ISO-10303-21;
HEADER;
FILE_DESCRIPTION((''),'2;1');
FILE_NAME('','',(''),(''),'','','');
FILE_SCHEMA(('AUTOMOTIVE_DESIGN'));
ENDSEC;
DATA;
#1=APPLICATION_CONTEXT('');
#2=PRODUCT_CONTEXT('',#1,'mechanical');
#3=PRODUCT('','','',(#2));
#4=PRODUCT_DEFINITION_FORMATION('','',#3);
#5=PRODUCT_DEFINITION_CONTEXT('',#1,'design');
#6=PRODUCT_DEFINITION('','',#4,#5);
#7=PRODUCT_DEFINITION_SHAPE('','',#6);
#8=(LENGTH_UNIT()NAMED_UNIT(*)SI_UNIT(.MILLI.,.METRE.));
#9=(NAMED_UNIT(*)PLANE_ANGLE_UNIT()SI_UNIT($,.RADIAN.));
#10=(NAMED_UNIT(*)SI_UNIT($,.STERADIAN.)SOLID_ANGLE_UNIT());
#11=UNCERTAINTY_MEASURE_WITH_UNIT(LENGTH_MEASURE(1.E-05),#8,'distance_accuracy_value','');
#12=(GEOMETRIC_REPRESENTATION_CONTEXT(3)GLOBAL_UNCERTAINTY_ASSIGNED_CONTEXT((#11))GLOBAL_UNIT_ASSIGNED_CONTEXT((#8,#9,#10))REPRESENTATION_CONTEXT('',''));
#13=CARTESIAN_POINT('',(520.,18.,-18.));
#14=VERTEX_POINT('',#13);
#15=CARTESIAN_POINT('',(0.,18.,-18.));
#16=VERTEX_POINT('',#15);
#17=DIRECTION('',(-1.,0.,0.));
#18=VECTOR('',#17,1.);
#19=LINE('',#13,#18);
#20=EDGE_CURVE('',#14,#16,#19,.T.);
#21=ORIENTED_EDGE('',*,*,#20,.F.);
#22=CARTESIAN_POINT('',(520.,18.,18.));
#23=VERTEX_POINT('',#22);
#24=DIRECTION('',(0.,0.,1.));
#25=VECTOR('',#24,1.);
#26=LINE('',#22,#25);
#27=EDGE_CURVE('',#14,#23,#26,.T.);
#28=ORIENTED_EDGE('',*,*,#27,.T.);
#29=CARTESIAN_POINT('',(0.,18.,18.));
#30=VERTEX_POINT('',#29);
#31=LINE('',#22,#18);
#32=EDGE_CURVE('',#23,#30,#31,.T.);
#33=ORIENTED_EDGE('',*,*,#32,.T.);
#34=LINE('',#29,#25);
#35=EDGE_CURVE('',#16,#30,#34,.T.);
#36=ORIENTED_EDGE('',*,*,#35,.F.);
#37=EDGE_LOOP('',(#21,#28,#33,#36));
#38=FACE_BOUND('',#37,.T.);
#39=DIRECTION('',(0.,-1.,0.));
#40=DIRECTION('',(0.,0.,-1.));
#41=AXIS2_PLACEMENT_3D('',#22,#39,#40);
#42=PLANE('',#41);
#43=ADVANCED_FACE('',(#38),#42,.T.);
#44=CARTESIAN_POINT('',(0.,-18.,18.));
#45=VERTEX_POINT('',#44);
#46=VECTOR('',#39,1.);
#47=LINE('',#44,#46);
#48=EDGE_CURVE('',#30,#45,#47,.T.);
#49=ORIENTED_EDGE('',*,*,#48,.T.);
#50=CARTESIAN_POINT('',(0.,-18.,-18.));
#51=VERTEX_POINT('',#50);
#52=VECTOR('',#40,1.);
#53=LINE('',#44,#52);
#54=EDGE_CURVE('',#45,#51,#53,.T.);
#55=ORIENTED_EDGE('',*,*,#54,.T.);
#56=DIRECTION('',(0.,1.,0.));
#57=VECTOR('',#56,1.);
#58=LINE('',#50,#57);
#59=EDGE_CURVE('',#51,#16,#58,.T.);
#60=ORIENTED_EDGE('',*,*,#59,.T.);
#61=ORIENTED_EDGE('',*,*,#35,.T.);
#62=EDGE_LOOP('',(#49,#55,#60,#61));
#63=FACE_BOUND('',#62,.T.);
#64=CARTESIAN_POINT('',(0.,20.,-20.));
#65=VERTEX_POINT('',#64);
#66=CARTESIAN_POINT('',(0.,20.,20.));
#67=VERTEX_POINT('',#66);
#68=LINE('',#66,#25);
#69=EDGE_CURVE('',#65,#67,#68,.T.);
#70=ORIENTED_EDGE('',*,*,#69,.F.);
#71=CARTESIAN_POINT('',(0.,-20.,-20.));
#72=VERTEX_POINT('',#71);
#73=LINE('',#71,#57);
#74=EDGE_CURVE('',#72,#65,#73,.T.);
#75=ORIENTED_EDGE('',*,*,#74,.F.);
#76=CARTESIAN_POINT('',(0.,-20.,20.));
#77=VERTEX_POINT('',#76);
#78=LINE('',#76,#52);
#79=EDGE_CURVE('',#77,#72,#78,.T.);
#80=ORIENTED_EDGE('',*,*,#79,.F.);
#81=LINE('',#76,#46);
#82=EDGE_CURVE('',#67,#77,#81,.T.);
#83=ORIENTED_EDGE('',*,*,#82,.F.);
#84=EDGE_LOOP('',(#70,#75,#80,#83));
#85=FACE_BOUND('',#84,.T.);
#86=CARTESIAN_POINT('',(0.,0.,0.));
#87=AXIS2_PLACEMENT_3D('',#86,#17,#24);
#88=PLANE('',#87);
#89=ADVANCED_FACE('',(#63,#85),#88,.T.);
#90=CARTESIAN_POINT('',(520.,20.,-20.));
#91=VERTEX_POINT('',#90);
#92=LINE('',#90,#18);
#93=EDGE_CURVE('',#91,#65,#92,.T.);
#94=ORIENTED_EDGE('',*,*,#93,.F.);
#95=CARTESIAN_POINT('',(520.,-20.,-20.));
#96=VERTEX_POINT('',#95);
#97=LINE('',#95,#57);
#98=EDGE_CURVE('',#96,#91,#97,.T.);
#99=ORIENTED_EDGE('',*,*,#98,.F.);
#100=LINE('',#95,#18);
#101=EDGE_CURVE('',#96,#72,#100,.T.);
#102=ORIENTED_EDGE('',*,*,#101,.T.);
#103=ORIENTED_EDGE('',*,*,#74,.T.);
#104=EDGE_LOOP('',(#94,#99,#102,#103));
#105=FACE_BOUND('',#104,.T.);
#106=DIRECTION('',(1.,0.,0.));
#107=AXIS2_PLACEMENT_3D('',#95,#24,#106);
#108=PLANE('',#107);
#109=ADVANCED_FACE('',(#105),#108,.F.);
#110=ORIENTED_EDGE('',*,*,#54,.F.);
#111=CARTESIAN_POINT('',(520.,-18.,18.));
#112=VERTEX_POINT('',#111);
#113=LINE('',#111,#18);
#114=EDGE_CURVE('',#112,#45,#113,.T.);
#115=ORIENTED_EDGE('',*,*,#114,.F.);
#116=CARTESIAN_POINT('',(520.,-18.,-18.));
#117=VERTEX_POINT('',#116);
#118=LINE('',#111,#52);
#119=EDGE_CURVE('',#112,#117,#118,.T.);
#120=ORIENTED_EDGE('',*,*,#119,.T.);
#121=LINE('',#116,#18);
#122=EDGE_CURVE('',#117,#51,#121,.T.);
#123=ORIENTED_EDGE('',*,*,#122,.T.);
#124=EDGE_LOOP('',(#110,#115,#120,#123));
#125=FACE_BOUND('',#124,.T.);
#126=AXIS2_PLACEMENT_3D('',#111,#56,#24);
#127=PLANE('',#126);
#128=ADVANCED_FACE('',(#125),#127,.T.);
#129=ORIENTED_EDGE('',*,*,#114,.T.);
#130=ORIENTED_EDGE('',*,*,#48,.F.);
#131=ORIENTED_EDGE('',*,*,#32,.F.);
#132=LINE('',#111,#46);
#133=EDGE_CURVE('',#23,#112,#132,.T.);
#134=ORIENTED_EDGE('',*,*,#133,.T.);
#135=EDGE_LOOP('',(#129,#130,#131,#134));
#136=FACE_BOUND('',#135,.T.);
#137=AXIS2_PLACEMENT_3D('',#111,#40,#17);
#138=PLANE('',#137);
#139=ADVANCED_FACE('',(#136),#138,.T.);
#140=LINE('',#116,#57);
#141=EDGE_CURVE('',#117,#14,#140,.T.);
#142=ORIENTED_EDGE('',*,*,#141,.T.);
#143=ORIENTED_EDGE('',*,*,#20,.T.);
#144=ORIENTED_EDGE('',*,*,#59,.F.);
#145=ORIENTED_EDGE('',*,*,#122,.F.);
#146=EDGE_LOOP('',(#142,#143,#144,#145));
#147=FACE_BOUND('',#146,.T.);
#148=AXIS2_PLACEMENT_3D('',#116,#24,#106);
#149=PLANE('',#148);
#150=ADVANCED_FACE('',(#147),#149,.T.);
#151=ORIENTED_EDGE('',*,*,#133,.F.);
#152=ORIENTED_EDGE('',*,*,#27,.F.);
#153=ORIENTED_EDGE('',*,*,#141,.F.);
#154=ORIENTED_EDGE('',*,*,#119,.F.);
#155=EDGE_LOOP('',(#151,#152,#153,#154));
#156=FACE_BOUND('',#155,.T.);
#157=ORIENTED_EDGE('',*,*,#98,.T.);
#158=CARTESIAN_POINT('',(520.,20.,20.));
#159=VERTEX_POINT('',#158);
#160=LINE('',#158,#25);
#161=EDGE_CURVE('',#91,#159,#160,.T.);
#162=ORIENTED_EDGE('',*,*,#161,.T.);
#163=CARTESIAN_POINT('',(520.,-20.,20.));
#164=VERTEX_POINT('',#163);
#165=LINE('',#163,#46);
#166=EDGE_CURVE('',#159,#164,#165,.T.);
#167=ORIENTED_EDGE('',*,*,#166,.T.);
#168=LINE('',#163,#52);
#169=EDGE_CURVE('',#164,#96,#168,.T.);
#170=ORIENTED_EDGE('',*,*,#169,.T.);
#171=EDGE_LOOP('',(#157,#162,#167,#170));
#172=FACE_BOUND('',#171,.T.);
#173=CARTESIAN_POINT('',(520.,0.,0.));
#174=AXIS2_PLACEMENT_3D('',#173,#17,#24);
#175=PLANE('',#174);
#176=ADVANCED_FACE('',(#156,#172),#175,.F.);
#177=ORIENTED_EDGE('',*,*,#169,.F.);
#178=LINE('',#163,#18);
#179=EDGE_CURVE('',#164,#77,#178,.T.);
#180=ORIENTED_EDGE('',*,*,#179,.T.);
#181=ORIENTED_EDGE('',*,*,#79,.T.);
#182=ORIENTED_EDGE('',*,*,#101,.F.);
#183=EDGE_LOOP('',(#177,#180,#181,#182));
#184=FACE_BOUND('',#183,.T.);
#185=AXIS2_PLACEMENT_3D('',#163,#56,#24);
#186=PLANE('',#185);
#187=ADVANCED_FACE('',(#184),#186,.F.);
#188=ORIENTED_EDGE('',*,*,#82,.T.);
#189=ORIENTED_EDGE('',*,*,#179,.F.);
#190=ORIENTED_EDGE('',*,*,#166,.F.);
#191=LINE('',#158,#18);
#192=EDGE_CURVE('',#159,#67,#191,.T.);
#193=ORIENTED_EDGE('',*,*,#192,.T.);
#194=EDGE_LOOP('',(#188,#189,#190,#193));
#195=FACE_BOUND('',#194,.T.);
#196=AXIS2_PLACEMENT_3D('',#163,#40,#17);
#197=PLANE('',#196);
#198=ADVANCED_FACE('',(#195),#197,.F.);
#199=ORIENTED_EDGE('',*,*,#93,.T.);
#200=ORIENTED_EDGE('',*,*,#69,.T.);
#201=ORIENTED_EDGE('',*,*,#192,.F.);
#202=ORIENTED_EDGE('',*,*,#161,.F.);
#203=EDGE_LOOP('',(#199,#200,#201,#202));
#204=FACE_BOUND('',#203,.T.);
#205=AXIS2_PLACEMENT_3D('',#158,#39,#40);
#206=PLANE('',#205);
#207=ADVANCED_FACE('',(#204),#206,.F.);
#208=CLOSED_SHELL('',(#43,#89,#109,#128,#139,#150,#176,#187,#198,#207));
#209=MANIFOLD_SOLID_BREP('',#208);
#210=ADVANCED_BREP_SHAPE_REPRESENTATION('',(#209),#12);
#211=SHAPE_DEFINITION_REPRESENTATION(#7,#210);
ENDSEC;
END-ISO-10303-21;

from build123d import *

# Parameters (mm, degrees)
CROQUIS1_W              = 40
CROQUIS1_H              = 40
CROQUIS1_W_2            = 36
CROQUIS1_H_2            = 36
SALIENTE_EXTRUIR1_DEPTH = 520


with BuildPart() as part:
    # Croquis1 → Saliente-Extruir1 (new body)
    with BuildSketch(Plane(origin=(0, 0, 0), x_dir=(0, 0, -1), z_dir=(1, 0, 0))):
        Rectangle(CROQUIS1_W, CROQUIS1_H)
        Rectangle(CROQUIS1_W_2, CROQUIS1_H_2, mode=Mode.SUBTRACT)
    extrude(amount=SALIENTE_EXTRUIR1_DEPTH)


solid = part.part
